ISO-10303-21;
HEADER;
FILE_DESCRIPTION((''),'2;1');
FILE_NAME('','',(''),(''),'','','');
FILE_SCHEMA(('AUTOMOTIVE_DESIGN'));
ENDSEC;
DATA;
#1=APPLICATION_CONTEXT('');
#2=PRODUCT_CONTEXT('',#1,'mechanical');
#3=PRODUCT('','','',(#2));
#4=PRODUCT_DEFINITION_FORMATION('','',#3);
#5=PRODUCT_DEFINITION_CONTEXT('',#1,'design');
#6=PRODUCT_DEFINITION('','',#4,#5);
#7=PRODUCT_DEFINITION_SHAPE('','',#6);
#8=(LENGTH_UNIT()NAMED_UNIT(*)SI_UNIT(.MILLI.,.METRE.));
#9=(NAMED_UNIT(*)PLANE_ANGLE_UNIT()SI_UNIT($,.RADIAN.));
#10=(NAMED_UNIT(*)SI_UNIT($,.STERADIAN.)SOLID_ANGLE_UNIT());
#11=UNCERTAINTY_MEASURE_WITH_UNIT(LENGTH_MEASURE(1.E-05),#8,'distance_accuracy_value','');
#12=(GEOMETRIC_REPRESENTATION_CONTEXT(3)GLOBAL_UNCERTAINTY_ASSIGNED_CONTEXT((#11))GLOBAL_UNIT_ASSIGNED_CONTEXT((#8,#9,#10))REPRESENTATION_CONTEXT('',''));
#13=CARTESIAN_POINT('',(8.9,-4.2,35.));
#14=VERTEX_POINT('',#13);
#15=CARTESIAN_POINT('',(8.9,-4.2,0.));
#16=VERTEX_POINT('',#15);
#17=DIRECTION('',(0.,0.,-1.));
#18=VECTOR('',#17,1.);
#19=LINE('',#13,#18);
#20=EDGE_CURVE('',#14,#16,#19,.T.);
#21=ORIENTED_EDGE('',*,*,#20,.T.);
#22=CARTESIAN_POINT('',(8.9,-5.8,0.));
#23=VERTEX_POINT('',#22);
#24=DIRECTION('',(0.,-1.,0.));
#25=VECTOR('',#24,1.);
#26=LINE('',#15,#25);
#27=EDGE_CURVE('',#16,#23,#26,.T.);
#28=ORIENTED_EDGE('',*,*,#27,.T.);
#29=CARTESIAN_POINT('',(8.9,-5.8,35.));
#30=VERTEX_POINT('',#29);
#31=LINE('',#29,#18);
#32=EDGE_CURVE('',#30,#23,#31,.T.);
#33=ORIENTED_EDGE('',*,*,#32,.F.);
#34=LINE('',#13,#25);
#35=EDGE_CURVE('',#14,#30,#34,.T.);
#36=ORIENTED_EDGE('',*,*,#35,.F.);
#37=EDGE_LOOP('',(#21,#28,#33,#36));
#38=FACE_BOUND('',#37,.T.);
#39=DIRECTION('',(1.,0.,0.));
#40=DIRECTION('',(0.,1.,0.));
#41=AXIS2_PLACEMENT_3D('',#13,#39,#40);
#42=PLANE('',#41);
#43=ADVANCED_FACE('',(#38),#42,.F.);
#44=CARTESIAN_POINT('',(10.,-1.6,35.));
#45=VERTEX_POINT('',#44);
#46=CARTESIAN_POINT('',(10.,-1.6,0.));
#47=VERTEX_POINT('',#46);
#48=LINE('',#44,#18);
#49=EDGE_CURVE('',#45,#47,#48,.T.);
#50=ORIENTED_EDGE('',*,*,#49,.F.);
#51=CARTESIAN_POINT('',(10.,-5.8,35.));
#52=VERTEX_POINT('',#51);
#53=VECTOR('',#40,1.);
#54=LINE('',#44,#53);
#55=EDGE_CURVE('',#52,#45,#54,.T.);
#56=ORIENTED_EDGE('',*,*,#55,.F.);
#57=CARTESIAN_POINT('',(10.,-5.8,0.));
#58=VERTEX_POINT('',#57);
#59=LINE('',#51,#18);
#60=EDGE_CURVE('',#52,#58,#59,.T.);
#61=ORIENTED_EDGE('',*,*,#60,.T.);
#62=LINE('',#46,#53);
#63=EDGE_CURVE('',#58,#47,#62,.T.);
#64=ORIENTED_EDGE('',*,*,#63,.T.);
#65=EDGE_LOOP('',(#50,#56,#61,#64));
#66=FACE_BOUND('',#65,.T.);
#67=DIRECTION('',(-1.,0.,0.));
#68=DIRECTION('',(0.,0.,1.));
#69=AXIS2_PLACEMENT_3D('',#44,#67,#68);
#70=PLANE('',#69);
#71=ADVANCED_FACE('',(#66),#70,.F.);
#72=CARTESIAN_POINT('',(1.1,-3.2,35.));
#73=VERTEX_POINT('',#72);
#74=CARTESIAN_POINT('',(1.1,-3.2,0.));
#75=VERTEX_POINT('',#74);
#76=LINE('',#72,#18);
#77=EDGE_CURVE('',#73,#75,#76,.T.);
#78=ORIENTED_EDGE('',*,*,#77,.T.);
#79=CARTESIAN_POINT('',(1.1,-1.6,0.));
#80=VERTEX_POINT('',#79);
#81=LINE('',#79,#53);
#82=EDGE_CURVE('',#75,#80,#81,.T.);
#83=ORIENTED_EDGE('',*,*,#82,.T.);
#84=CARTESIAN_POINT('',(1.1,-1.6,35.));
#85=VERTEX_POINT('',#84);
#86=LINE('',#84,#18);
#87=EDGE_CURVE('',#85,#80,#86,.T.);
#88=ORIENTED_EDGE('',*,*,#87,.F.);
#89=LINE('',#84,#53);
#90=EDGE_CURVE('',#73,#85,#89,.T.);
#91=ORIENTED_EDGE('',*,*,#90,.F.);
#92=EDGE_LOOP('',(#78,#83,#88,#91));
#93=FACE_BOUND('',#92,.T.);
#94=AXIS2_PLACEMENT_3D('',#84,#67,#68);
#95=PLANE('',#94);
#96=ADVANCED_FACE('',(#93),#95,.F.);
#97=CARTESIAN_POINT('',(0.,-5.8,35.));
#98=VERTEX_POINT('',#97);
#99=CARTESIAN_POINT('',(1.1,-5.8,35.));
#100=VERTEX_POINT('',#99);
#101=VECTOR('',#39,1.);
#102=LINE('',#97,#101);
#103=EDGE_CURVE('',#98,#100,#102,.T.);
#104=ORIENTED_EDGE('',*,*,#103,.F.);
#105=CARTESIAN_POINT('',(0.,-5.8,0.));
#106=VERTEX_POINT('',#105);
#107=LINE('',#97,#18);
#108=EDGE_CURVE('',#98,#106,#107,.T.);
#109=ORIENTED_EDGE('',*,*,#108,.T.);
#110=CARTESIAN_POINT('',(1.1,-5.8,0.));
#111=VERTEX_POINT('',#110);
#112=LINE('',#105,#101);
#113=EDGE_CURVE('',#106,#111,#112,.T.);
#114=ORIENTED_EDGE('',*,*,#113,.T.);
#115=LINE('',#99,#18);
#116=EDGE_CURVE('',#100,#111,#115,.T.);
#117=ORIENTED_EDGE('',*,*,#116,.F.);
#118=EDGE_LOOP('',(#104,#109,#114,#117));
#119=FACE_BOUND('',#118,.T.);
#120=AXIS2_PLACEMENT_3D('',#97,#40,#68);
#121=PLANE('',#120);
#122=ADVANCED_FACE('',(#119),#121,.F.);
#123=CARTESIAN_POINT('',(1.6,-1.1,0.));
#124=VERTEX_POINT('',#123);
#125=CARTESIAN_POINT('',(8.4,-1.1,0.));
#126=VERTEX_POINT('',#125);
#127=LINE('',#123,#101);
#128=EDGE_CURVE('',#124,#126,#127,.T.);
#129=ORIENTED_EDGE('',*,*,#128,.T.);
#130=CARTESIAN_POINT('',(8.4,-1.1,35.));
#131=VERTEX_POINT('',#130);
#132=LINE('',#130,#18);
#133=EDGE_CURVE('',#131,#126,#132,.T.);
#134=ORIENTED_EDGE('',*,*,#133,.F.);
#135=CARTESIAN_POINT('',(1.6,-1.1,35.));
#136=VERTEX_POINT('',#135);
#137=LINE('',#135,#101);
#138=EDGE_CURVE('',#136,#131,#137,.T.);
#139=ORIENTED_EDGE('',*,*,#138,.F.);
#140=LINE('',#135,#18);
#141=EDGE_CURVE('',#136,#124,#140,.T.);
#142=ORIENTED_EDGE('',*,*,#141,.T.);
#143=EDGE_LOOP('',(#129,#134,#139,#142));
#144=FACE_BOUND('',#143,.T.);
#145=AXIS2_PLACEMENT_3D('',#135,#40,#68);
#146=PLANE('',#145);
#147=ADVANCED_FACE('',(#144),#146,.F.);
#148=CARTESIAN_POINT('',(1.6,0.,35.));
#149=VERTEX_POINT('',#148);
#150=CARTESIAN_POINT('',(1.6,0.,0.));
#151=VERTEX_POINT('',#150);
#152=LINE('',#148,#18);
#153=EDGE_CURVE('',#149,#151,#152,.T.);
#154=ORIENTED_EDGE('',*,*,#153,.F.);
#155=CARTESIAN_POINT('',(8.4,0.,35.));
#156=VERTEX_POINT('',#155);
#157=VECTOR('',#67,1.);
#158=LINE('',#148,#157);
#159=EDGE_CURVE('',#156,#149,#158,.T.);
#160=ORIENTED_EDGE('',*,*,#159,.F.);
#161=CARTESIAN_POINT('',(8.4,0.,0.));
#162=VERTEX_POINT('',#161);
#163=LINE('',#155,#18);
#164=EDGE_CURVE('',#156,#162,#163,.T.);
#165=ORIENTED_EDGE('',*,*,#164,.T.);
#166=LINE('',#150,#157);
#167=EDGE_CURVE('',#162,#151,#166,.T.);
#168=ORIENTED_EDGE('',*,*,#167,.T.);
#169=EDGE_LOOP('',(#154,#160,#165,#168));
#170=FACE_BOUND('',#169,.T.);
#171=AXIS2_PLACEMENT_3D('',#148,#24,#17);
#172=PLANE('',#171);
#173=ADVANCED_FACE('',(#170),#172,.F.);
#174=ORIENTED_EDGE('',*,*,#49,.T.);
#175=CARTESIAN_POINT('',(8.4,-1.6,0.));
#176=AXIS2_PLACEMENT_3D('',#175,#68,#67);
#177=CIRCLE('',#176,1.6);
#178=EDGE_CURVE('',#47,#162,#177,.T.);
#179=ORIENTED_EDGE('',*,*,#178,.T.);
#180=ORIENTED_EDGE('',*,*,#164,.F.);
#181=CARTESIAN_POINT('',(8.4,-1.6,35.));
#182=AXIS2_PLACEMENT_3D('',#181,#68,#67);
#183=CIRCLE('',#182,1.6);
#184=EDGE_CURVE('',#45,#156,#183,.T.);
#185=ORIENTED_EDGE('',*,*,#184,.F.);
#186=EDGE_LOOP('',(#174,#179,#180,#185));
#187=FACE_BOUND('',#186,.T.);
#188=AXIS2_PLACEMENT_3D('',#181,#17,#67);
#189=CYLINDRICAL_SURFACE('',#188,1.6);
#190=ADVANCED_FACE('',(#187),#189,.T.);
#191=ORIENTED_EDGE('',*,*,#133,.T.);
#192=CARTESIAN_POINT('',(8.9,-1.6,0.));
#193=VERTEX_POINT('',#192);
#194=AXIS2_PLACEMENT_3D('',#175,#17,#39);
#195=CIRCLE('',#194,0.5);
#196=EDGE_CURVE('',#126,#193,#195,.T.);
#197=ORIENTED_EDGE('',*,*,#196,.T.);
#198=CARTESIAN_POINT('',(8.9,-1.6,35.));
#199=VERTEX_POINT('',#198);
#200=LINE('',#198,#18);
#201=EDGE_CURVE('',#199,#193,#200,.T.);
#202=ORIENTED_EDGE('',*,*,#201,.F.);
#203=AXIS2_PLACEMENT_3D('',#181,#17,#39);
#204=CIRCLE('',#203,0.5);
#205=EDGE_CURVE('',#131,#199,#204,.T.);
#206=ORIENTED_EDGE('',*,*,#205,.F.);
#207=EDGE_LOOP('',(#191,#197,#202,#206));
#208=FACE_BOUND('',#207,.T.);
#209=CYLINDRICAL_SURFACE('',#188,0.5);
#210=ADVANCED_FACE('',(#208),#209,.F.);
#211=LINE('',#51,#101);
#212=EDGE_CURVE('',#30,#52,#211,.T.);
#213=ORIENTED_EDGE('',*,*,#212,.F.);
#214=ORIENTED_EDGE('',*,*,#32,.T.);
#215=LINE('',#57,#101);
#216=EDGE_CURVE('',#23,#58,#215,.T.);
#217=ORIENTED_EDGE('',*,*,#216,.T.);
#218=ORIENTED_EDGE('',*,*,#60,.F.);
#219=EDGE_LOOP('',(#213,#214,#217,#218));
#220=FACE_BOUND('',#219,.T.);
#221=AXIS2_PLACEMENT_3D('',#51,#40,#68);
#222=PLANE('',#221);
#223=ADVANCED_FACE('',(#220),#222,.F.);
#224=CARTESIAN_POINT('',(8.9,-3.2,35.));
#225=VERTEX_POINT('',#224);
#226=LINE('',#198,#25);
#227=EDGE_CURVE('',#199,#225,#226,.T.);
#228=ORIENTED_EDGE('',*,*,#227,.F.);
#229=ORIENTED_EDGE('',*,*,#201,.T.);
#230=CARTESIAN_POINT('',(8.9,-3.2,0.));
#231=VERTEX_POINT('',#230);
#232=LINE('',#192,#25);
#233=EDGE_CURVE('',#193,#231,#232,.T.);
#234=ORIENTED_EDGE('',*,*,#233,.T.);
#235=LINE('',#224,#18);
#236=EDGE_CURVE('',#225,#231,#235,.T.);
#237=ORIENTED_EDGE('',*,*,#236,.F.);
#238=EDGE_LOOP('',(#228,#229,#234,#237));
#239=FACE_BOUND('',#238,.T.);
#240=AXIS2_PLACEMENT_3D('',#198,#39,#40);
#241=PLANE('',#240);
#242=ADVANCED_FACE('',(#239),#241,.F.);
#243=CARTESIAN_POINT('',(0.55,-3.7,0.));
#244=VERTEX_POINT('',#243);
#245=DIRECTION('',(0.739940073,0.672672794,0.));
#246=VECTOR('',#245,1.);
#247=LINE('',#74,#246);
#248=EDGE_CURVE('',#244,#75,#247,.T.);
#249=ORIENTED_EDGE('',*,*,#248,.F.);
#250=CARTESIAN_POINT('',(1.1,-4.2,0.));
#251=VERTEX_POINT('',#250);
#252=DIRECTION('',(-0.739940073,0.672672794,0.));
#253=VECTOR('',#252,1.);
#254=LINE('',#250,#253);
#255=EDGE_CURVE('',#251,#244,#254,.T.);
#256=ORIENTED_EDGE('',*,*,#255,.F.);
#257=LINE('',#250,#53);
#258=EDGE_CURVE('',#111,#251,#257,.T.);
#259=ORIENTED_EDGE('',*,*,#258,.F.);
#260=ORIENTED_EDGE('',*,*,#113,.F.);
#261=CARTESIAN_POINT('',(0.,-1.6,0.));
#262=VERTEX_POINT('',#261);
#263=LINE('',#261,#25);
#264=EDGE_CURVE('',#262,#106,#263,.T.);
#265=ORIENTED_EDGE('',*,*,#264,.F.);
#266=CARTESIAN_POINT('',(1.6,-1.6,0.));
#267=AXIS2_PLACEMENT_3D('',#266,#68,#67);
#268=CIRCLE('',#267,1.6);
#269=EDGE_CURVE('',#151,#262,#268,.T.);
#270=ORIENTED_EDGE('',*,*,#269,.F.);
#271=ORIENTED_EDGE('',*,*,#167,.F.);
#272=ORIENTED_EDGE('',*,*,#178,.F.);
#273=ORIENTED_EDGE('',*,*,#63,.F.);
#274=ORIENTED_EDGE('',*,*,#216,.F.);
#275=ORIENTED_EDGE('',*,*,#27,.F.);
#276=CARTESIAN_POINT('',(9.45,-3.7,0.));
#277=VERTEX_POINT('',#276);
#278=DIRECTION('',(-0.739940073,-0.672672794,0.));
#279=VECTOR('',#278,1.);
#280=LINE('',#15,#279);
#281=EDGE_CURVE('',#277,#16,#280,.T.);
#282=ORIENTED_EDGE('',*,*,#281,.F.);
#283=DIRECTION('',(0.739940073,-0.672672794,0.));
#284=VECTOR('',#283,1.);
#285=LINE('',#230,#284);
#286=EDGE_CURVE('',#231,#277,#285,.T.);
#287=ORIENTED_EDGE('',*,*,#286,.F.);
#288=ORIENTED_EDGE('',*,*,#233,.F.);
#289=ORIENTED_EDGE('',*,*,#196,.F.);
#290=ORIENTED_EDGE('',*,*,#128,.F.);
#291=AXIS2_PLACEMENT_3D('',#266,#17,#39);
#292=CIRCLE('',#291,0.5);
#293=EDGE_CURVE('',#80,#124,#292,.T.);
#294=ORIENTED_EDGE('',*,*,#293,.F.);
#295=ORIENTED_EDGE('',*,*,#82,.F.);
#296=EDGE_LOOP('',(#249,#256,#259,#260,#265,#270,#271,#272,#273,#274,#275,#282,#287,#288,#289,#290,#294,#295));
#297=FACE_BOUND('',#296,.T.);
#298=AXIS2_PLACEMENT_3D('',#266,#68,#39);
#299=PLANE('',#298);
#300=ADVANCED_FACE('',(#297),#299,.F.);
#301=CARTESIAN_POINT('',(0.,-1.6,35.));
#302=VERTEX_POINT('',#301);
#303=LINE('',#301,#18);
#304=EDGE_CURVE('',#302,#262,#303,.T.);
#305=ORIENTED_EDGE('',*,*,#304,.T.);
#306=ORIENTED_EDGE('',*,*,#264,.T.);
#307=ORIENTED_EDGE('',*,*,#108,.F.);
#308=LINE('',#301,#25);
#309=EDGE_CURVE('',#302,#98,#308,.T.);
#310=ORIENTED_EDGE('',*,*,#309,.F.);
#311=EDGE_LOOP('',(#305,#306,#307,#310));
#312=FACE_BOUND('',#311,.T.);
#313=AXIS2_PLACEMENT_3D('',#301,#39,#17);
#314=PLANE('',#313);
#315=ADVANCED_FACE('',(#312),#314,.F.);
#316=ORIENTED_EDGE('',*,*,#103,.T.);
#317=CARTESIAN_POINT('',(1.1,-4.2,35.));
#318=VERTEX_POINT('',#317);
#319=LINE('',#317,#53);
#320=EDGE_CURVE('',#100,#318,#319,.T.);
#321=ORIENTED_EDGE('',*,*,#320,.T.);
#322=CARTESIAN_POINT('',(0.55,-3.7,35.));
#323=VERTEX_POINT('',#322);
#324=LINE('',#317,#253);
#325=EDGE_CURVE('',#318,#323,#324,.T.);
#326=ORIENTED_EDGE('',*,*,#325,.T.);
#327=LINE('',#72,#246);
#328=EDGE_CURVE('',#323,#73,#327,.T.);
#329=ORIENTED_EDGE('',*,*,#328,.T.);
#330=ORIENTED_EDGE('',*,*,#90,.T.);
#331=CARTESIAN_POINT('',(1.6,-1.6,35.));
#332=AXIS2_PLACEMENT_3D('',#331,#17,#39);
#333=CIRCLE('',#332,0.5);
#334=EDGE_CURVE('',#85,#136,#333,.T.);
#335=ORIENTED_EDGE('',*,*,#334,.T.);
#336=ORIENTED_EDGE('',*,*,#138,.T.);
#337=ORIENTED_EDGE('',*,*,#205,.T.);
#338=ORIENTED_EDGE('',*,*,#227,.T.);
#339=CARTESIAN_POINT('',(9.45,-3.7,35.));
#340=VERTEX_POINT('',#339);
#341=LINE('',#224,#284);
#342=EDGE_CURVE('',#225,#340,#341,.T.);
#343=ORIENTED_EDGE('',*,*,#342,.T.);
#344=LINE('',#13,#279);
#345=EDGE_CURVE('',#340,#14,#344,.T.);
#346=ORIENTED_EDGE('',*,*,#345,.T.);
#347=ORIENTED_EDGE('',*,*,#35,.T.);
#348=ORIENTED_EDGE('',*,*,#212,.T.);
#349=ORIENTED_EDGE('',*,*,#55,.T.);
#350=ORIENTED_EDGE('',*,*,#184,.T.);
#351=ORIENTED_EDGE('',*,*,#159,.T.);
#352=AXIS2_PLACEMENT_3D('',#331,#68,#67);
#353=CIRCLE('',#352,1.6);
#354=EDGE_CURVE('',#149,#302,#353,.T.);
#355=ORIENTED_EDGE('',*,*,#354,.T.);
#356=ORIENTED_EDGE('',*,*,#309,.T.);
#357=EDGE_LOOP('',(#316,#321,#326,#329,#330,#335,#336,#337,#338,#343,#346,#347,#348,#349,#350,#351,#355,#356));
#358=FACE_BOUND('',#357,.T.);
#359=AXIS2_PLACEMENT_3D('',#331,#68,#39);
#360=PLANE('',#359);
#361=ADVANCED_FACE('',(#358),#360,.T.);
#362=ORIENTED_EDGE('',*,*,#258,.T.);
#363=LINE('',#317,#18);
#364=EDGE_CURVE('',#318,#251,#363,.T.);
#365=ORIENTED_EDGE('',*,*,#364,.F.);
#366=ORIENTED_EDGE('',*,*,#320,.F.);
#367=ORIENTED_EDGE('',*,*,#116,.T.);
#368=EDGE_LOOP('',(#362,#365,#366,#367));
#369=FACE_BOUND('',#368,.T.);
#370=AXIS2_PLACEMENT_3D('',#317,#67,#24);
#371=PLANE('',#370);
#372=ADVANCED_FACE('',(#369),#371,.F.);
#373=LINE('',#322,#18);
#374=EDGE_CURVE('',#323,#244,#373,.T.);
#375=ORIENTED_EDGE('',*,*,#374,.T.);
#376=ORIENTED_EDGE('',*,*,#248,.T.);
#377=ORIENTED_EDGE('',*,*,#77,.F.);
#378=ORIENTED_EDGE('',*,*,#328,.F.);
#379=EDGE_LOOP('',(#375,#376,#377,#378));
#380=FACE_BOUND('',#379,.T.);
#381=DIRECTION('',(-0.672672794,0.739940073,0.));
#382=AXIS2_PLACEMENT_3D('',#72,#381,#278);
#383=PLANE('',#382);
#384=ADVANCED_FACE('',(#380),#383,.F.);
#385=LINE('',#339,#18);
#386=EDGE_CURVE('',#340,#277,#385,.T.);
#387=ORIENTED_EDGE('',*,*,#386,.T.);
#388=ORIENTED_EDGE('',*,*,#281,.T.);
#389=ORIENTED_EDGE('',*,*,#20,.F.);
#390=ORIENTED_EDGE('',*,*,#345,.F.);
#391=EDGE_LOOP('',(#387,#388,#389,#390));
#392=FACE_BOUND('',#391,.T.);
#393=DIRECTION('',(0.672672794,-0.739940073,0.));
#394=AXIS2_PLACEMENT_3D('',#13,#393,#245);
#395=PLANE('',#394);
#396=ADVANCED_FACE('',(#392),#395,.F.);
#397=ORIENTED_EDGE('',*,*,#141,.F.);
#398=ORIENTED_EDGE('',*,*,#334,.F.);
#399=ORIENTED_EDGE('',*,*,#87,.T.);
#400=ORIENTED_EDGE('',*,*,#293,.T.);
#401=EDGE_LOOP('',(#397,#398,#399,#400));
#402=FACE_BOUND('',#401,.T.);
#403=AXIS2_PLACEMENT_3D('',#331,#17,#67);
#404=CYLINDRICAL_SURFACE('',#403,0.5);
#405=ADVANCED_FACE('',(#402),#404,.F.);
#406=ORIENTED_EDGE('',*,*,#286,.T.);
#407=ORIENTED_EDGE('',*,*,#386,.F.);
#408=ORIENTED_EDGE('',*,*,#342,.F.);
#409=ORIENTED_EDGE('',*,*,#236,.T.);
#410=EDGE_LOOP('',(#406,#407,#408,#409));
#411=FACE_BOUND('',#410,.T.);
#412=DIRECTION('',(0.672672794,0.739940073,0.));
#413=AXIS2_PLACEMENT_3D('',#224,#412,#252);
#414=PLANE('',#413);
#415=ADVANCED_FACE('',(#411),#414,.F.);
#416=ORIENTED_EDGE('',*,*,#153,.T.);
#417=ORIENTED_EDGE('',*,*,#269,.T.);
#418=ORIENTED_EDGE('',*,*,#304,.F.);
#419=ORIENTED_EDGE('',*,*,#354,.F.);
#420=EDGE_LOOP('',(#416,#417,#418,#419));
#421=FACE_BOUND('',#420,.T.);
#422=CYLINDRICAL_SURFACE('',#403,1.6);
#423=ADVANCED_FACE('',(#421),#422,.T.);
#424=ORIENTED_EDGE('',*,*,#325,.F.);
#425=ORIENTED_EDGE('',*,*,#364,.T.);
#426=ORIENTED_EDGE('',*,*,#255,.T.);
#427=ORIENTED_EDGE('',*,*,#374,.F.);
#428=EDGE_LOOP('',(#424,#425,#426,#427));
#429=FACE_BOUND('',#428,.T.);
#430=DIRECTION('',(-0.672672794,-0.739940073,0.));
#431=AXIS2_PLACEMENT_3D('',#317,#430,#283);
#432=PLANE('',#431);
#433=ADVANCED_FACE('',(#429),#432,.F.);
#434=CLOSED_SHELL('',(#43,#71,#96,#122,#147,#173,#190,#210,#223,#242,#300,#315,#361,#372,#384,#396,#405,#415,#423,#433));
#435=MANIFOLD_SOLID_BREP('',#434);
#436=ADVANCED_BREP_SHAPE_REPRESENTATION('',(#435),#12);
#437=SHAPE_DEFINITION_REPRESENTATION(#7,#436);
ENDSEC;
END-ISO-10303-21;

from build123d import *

# Parameters (mm, degrees)
EXTRUSION1_DEPTH = 35


with BuildPart() as part:
    # Esquisse1 → Extrusion1 (new body)
    with BuildSketch(Plane.XY):
        with BuildLine():
            Line((1.6, 0), (8.4, 0))
            ThreePointArc((8.4, 0), (9.53137085, -0.46862915), (10, -1.6))
            Line((10, -1.6), (10, -5.8))
            Line((10, -5.8), (8.9, -5.8))
            Line((8.9, -5.8), (8.9, -4.2))
            Line((8.9, -4.2), (9.45, -3.7))
            Line((9.45, -3.7), (8.9, -3.2))
            Line((8.9, -3.2), (8.9, -1.6))
            ThreePointArc((8.9, -1.6), (8.753553391, -1.246446609), (8.4, -1.1))
            Line((8.4, -1.1), (1.6, -1.1))
            ThreePointArc((1.6, -1.1), (1.246446609, -1.246446609), (1.1, -1.6))
            Line((1.1, -1.6), (1.1, -3.2))
            Line((1.1, -3.2), (0.55, -3.7))
            Line((0.55, -3.7), (1.1, -4.2))
            Line((1.1, -4.2), (1.1, -5.8))
            Line((1.1, -5.8), (0, -5.8))
            Line((0, -5.8), (0, -1.6))
            ThreePointArc((0, -1.6), (0.46862915, -0.46862915), (1.6, 0))
        make_face()
    extrude(amount=EXTRUSION1_DEPTH)


solid = part.part
